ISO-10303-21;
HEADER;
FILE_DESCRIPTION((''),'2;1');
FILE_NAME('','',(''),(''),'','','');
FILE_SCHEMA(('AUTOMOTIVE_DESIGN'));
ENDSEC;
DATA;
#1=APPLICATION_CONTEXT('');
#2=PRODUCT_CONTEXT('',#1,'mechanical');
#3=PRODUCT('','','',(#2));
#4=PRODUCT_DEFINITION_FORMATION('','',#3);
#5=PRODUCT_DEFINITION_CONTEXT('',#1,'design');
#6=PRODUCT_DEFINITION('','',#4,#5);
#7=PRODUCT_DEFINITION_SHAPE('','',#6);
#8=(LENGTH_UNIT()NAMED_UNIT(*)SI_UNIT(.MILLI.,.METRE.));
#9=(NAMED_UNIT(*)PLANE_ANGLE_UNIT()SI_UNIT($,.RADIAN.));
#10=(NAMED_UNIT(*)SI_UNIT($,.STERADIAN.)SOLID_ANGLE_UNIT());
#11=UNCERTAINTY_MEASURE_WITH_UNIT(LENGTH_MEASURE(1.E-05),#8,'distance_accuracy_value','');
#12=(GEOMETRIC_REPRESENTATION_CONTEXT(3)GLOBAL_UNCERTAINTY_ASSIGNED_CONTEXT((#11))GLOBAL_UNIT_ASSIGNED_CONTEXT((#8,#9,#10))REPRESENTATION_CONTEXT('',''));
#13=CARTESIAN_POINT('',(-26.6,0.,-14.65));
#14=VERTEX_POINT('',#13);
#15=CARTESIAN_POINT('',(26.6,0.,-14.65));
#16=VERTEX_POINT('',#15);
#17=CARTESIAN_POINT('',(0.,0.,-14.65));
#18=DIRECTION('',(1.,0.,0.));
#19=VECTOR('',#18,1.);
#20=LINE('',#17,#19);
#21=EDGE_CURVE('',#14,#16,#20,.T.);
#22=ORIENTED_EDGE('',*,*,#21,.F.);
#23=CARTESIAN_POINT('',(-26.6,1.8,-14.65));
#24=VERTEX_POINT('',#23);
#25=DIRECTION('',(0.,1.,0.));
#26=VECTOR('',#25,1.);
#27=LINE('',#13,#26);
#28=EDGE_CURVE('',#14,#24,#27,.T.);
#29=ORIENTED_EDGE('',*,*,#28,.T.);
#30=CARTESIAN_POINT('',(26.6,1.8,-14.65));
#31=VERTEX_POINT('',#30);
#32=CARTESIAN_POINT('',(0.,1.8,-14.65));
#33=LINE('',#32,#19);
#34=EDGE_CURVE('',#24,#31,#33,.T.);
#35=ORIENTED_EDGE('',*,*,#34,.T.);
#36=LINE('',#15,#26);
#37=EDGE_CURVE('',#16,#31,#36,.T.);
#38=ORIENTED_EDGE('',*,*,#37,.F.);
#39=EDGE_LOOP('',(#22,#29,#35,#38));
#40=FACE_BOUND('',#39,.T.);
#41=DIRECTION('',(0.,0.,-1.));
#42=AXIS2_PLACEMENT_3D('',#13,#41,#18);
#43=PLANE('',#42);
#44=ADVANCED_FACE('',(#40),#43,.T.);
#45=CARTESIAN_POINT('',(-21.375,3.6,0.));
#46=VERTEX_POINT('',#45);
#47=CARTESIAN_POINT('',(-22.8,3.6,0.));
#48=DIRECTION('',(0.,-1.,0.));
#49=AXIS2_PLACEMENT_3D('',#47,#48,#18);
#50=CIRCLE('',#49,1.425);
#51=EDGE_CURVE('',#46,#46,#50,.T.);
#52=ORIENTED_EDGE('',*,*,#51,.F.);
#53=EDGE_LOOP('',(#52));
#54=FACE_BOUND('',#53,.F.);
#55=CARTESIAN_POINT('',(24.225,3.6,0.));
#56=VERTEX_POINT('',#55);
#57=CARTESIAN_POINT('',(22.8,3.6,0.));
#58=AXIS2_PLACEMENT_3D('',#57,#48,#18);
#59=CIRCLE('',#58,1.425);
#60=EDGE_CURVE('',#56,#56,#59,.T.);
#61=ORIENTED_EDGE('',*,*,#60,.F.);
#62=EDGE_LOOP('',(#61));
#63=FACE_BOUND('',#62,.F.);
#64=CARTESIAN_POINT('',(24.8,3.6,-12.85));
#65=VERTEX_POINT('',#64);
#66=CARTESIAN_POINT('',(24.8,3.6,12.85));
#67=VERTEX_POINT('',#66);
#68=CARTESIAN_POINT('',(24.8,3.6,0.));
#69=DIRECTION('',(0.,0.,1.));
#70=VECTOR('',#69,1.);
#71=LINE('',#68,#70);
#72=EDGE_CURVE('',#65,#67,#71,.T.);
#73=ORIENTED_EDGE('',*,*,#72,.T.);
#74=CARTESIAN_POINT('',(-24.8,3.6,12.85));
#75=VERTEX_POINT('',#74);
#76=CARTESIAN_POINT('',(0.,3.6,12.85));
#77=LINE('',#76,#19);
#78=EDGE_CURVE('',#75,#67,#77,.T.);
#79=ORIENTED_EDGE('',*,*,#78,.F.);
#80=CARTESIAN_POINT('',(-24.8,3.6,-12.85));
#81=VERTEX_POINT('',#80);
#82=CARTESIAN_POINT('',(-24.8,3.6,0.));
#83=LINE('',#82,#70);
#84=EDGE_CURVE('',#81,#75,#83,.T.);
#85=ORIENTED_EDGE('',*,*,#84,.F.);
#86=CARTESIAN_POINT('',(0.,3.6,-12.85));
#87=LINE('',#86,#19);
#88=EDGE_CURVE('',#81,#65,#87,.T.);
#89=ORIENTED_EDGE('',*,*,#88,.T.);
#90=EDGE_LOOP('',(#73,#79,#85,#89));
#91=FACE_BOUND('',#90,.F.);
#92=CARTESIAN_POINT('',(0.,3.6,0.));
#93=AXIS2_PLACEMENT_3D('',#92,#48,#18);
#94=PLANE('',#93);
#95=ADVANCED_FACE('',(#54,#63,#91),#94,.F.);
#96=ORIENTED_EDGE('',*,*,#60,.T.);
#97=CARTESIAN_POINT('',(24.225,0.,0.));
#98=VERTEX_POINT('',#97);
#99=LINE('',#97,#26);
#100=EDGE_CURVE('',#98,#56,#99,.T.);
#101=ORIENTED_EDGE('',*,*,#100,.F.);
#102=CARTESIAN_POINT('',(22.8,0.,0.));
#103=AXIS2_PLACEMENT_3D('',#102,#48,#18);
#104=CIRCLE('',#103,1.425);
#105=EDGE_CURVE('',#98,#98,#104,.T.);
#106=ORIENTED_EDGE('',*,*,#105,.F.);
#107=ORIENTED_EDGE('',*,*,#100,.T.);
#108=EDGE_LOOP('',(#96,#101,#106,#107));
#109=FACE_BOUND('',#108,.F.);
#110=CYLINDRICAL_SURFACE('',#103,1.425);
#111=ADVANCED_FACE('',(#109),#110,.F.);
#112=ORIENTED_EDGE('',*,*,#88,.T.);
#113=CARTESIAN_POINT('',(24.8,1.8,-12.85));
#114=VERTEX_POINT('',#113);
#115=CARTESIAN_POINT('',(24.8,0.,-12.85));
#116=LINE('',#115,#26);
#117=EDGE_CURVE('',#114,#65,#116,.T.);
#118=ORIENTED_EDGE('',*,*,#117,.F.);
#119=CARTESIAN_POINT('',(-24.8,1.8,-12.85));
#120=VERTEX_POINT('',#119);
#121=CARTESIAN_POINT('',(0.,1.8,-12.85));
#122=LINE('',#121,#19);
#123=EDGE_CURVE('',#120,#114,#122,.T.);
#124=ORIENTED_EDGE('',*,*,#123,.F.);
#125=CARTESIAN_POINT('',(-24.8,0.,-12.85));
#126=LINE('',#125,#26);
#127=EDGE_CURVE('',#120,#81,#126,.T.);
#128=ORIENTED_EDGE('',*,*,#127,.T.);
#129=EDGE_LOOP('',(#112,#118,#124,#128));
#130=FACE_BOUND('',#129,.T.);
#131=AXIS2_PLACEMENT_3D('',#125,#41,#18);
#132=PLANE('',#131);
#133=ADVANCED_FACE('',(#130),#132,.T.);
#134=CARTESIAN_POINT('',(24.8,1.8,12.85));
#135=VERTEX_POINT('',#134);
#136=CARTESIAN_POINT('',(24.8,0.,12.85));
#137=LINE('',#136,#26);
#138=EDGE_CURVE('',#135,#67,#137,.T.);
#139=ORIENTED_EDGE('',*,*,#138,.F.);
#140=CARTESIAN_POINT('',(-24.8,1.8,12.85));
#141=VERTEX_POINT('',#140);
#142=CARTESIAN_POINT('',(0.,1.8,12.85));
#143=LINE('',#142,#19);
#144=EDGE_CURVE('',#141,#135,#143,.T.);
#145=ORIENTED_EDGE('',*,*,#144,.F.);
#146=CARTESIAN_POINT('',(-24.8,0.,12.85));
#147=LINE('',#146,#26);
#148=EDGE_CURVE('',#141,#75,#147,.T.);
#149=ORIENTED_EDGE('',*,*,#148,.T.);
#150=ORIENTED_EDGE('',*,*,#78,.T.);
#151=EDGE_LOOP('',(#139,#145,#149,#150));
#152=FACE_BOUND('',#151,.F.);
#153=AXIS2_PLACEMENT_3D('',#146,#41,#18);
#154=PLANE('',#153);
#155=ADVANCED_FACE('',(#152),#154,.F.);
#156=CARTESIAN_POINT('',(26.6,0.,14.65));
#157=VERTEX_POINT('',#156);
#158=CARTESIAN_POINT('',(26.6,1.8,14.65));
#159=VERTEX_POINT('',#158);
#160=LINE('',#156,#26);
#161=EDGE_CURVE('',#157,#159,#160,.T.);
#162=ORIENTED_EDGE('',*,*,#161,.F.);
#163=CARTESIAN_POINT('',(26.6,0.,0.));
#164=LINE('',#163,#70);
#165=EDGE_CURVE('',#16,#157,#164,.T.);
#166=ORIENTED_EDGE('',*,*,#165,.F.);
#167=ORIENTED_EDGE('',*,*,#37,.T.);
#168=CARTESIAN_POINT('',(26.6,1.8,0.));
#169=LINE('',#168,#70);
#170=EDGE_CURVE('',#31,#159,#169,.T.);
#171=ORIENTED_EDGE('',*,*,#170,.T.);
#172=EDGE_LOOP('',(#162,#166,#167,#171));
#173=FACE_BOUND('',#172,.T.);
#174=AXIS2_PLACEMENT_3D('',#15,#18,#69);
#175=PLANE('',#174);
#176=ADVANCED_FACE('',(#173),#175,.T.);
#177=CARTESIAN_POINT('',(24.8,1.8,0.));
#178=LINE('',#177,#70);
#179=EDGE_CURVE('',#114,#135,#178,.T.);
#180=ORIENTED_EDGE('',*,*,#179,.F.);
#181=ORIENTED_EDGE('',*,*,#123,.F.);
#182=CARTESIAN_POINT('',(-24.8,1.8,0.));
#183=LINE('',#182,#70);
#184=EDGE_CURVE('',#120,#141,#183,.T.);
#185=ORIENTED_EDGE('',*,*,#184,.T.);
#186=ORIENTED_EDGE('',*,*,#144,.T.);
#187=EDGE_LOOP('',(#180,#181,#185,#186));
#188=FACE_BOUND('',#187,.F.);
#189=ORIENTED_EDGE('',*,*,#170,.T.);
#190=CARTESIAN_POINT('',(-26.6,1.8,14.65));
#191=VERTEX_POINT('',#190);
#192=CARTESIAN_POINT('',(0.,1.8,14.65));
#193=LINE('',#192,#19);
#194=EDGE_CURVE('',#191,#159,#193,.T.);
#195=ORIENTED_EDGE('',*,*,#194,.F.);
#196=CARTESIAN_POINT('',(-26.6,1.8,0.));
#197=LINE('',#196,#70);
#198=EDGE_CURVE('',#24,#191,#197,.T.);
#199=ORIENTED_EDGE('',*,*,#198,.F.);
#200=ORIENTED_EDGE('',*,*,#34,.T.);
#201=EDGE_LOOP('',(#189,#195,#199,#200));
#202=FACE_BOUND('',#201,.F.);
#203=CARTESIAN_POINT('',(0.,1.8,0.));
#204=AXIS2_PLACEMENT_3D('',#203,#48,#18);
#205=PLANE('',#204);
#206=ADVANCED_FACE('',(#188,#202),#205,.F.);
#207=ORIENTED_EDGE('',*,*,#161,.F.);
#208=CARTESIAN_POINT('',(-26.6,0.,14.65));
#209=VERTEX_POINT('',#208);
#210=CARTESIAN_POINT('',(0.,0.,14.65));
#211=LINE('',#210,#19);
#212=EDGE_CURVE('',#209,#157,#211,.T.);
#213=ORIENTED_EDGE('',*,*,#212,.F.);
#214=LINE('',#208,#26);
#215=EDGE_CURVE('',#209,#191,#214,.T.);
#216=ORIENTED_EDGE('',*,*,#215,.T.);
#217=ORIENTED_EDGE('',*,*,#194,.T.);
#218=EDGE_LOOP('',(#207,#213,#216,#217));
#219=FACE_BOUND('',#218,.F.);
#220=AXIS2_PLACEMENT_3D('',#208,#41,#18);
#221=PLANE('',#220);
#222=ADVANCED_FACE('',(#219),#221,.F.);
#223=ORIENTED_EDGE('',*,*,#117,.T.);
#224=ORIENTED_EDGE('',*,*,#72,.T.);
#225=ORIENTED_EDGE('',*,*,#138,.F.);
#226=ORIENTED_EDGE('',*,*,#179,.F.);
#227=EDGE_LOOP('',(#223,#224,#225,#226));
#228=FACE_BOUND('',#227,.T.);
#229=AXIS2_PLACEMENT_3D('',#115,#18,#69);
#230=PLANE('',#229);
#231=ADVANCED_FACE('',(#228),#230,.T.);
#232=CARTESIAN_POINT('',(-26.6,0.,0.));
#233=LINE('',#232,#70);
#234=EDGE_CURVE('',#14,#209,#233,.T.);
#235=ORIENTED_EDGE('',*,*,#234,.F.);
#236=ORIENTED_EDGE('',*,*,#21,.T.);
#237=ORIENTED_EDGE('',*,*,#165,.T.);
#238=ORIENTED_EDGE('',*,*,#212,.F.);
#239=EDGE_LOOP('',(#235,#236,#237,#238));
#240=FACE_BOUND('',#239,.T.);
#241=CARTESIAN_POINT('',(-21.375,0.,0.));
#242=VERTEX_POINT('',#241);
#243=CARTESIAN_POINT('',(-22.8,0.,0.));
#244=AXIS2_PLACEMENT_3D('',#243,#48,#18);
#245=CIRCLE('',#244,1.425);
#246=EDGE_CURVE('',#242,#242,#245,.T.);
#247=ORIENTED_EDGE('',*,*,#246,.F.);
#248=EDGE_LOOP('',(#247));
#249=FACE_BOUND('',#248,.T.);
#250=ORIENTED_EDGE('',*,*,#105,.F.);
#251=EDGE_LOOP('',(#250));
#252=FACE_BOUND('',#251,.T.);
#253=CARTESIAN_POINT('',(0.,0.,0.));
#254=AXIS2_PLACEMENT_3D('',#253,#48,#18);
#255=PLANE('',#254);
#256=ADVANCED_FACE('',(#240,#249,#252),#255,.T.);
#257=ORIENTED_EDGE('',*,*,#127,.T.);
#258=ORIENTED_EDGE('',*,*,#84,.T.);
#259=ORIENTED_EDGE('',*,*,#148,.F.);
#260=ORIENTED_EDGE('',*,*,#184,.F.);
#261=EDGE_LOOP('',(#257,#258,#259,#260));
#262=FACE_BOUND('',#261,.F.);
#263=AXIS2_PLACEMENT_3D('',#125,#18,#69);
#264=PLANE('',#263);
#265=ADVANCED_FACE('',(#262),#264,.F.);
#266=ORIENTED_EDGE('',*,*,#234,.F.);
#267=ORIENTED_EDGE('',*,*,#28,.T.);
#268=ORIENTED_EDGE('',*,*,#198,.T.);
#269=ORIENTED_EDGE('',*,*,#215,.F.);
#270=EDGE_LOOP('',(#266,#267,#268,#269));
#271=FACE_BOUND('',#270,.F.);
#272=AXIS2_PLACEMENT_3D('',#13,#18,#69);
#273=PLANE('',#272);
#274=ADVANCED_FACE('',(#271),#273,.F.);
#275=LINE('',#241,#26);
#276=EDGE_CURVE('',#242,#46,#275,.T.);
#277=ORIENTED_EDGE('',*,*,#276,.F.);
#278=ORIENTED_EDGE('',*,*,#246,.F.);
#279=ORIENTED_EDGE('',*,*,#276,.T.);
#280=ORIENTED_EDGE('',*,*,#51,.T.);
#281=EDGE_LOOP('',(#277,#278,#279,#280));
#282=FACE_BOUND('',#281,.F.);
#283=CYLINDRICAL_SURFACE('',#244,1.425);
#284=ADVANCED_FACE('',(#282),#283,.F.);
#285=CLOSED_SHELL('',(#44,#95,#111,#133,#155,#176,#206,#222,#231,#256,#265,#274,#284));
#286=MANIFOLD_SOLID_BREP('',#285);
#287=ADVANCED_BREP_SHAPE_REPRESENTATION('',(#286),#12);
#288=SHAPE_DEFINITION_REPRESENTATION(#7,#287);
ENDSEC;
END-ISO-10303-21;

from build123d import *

# Parameters (mm, degrees)
F0_W     = 49.6
F0_H     = 25.7
F0_R     = 1.425
F1_DEPTH = 3.6
F0_W_2   = 53.2
F0_H_2   = 29.3
F2_DEPTH = 1.8


with BuildPart() as f1:
    # F0 (on Front) → F1 (new body)
    with BuildSketch(Plane.XZ):
        Rectangle(F0_W, F0_H)
        with Locations((-22.8, 0)):
            Circle(F0_R, mode=Mode.SUBTRACT)
        with Locations((22.8, 0)):
            Circle(F0_R, mode=Mode.SUBTRACT)
    extrude(amount=-F1_DEPTH)

    # F0 (on Front) → F2 (join)
    with BuildSketch(Plane.XZ):
        Rectangle(F0_W_2, F0_H_2)
        Rectangle(F0_W, F0_H, mode=Mode.SUBTRACT)
    extrude(amount=-F2_DEPTH)


solid = f1.part
